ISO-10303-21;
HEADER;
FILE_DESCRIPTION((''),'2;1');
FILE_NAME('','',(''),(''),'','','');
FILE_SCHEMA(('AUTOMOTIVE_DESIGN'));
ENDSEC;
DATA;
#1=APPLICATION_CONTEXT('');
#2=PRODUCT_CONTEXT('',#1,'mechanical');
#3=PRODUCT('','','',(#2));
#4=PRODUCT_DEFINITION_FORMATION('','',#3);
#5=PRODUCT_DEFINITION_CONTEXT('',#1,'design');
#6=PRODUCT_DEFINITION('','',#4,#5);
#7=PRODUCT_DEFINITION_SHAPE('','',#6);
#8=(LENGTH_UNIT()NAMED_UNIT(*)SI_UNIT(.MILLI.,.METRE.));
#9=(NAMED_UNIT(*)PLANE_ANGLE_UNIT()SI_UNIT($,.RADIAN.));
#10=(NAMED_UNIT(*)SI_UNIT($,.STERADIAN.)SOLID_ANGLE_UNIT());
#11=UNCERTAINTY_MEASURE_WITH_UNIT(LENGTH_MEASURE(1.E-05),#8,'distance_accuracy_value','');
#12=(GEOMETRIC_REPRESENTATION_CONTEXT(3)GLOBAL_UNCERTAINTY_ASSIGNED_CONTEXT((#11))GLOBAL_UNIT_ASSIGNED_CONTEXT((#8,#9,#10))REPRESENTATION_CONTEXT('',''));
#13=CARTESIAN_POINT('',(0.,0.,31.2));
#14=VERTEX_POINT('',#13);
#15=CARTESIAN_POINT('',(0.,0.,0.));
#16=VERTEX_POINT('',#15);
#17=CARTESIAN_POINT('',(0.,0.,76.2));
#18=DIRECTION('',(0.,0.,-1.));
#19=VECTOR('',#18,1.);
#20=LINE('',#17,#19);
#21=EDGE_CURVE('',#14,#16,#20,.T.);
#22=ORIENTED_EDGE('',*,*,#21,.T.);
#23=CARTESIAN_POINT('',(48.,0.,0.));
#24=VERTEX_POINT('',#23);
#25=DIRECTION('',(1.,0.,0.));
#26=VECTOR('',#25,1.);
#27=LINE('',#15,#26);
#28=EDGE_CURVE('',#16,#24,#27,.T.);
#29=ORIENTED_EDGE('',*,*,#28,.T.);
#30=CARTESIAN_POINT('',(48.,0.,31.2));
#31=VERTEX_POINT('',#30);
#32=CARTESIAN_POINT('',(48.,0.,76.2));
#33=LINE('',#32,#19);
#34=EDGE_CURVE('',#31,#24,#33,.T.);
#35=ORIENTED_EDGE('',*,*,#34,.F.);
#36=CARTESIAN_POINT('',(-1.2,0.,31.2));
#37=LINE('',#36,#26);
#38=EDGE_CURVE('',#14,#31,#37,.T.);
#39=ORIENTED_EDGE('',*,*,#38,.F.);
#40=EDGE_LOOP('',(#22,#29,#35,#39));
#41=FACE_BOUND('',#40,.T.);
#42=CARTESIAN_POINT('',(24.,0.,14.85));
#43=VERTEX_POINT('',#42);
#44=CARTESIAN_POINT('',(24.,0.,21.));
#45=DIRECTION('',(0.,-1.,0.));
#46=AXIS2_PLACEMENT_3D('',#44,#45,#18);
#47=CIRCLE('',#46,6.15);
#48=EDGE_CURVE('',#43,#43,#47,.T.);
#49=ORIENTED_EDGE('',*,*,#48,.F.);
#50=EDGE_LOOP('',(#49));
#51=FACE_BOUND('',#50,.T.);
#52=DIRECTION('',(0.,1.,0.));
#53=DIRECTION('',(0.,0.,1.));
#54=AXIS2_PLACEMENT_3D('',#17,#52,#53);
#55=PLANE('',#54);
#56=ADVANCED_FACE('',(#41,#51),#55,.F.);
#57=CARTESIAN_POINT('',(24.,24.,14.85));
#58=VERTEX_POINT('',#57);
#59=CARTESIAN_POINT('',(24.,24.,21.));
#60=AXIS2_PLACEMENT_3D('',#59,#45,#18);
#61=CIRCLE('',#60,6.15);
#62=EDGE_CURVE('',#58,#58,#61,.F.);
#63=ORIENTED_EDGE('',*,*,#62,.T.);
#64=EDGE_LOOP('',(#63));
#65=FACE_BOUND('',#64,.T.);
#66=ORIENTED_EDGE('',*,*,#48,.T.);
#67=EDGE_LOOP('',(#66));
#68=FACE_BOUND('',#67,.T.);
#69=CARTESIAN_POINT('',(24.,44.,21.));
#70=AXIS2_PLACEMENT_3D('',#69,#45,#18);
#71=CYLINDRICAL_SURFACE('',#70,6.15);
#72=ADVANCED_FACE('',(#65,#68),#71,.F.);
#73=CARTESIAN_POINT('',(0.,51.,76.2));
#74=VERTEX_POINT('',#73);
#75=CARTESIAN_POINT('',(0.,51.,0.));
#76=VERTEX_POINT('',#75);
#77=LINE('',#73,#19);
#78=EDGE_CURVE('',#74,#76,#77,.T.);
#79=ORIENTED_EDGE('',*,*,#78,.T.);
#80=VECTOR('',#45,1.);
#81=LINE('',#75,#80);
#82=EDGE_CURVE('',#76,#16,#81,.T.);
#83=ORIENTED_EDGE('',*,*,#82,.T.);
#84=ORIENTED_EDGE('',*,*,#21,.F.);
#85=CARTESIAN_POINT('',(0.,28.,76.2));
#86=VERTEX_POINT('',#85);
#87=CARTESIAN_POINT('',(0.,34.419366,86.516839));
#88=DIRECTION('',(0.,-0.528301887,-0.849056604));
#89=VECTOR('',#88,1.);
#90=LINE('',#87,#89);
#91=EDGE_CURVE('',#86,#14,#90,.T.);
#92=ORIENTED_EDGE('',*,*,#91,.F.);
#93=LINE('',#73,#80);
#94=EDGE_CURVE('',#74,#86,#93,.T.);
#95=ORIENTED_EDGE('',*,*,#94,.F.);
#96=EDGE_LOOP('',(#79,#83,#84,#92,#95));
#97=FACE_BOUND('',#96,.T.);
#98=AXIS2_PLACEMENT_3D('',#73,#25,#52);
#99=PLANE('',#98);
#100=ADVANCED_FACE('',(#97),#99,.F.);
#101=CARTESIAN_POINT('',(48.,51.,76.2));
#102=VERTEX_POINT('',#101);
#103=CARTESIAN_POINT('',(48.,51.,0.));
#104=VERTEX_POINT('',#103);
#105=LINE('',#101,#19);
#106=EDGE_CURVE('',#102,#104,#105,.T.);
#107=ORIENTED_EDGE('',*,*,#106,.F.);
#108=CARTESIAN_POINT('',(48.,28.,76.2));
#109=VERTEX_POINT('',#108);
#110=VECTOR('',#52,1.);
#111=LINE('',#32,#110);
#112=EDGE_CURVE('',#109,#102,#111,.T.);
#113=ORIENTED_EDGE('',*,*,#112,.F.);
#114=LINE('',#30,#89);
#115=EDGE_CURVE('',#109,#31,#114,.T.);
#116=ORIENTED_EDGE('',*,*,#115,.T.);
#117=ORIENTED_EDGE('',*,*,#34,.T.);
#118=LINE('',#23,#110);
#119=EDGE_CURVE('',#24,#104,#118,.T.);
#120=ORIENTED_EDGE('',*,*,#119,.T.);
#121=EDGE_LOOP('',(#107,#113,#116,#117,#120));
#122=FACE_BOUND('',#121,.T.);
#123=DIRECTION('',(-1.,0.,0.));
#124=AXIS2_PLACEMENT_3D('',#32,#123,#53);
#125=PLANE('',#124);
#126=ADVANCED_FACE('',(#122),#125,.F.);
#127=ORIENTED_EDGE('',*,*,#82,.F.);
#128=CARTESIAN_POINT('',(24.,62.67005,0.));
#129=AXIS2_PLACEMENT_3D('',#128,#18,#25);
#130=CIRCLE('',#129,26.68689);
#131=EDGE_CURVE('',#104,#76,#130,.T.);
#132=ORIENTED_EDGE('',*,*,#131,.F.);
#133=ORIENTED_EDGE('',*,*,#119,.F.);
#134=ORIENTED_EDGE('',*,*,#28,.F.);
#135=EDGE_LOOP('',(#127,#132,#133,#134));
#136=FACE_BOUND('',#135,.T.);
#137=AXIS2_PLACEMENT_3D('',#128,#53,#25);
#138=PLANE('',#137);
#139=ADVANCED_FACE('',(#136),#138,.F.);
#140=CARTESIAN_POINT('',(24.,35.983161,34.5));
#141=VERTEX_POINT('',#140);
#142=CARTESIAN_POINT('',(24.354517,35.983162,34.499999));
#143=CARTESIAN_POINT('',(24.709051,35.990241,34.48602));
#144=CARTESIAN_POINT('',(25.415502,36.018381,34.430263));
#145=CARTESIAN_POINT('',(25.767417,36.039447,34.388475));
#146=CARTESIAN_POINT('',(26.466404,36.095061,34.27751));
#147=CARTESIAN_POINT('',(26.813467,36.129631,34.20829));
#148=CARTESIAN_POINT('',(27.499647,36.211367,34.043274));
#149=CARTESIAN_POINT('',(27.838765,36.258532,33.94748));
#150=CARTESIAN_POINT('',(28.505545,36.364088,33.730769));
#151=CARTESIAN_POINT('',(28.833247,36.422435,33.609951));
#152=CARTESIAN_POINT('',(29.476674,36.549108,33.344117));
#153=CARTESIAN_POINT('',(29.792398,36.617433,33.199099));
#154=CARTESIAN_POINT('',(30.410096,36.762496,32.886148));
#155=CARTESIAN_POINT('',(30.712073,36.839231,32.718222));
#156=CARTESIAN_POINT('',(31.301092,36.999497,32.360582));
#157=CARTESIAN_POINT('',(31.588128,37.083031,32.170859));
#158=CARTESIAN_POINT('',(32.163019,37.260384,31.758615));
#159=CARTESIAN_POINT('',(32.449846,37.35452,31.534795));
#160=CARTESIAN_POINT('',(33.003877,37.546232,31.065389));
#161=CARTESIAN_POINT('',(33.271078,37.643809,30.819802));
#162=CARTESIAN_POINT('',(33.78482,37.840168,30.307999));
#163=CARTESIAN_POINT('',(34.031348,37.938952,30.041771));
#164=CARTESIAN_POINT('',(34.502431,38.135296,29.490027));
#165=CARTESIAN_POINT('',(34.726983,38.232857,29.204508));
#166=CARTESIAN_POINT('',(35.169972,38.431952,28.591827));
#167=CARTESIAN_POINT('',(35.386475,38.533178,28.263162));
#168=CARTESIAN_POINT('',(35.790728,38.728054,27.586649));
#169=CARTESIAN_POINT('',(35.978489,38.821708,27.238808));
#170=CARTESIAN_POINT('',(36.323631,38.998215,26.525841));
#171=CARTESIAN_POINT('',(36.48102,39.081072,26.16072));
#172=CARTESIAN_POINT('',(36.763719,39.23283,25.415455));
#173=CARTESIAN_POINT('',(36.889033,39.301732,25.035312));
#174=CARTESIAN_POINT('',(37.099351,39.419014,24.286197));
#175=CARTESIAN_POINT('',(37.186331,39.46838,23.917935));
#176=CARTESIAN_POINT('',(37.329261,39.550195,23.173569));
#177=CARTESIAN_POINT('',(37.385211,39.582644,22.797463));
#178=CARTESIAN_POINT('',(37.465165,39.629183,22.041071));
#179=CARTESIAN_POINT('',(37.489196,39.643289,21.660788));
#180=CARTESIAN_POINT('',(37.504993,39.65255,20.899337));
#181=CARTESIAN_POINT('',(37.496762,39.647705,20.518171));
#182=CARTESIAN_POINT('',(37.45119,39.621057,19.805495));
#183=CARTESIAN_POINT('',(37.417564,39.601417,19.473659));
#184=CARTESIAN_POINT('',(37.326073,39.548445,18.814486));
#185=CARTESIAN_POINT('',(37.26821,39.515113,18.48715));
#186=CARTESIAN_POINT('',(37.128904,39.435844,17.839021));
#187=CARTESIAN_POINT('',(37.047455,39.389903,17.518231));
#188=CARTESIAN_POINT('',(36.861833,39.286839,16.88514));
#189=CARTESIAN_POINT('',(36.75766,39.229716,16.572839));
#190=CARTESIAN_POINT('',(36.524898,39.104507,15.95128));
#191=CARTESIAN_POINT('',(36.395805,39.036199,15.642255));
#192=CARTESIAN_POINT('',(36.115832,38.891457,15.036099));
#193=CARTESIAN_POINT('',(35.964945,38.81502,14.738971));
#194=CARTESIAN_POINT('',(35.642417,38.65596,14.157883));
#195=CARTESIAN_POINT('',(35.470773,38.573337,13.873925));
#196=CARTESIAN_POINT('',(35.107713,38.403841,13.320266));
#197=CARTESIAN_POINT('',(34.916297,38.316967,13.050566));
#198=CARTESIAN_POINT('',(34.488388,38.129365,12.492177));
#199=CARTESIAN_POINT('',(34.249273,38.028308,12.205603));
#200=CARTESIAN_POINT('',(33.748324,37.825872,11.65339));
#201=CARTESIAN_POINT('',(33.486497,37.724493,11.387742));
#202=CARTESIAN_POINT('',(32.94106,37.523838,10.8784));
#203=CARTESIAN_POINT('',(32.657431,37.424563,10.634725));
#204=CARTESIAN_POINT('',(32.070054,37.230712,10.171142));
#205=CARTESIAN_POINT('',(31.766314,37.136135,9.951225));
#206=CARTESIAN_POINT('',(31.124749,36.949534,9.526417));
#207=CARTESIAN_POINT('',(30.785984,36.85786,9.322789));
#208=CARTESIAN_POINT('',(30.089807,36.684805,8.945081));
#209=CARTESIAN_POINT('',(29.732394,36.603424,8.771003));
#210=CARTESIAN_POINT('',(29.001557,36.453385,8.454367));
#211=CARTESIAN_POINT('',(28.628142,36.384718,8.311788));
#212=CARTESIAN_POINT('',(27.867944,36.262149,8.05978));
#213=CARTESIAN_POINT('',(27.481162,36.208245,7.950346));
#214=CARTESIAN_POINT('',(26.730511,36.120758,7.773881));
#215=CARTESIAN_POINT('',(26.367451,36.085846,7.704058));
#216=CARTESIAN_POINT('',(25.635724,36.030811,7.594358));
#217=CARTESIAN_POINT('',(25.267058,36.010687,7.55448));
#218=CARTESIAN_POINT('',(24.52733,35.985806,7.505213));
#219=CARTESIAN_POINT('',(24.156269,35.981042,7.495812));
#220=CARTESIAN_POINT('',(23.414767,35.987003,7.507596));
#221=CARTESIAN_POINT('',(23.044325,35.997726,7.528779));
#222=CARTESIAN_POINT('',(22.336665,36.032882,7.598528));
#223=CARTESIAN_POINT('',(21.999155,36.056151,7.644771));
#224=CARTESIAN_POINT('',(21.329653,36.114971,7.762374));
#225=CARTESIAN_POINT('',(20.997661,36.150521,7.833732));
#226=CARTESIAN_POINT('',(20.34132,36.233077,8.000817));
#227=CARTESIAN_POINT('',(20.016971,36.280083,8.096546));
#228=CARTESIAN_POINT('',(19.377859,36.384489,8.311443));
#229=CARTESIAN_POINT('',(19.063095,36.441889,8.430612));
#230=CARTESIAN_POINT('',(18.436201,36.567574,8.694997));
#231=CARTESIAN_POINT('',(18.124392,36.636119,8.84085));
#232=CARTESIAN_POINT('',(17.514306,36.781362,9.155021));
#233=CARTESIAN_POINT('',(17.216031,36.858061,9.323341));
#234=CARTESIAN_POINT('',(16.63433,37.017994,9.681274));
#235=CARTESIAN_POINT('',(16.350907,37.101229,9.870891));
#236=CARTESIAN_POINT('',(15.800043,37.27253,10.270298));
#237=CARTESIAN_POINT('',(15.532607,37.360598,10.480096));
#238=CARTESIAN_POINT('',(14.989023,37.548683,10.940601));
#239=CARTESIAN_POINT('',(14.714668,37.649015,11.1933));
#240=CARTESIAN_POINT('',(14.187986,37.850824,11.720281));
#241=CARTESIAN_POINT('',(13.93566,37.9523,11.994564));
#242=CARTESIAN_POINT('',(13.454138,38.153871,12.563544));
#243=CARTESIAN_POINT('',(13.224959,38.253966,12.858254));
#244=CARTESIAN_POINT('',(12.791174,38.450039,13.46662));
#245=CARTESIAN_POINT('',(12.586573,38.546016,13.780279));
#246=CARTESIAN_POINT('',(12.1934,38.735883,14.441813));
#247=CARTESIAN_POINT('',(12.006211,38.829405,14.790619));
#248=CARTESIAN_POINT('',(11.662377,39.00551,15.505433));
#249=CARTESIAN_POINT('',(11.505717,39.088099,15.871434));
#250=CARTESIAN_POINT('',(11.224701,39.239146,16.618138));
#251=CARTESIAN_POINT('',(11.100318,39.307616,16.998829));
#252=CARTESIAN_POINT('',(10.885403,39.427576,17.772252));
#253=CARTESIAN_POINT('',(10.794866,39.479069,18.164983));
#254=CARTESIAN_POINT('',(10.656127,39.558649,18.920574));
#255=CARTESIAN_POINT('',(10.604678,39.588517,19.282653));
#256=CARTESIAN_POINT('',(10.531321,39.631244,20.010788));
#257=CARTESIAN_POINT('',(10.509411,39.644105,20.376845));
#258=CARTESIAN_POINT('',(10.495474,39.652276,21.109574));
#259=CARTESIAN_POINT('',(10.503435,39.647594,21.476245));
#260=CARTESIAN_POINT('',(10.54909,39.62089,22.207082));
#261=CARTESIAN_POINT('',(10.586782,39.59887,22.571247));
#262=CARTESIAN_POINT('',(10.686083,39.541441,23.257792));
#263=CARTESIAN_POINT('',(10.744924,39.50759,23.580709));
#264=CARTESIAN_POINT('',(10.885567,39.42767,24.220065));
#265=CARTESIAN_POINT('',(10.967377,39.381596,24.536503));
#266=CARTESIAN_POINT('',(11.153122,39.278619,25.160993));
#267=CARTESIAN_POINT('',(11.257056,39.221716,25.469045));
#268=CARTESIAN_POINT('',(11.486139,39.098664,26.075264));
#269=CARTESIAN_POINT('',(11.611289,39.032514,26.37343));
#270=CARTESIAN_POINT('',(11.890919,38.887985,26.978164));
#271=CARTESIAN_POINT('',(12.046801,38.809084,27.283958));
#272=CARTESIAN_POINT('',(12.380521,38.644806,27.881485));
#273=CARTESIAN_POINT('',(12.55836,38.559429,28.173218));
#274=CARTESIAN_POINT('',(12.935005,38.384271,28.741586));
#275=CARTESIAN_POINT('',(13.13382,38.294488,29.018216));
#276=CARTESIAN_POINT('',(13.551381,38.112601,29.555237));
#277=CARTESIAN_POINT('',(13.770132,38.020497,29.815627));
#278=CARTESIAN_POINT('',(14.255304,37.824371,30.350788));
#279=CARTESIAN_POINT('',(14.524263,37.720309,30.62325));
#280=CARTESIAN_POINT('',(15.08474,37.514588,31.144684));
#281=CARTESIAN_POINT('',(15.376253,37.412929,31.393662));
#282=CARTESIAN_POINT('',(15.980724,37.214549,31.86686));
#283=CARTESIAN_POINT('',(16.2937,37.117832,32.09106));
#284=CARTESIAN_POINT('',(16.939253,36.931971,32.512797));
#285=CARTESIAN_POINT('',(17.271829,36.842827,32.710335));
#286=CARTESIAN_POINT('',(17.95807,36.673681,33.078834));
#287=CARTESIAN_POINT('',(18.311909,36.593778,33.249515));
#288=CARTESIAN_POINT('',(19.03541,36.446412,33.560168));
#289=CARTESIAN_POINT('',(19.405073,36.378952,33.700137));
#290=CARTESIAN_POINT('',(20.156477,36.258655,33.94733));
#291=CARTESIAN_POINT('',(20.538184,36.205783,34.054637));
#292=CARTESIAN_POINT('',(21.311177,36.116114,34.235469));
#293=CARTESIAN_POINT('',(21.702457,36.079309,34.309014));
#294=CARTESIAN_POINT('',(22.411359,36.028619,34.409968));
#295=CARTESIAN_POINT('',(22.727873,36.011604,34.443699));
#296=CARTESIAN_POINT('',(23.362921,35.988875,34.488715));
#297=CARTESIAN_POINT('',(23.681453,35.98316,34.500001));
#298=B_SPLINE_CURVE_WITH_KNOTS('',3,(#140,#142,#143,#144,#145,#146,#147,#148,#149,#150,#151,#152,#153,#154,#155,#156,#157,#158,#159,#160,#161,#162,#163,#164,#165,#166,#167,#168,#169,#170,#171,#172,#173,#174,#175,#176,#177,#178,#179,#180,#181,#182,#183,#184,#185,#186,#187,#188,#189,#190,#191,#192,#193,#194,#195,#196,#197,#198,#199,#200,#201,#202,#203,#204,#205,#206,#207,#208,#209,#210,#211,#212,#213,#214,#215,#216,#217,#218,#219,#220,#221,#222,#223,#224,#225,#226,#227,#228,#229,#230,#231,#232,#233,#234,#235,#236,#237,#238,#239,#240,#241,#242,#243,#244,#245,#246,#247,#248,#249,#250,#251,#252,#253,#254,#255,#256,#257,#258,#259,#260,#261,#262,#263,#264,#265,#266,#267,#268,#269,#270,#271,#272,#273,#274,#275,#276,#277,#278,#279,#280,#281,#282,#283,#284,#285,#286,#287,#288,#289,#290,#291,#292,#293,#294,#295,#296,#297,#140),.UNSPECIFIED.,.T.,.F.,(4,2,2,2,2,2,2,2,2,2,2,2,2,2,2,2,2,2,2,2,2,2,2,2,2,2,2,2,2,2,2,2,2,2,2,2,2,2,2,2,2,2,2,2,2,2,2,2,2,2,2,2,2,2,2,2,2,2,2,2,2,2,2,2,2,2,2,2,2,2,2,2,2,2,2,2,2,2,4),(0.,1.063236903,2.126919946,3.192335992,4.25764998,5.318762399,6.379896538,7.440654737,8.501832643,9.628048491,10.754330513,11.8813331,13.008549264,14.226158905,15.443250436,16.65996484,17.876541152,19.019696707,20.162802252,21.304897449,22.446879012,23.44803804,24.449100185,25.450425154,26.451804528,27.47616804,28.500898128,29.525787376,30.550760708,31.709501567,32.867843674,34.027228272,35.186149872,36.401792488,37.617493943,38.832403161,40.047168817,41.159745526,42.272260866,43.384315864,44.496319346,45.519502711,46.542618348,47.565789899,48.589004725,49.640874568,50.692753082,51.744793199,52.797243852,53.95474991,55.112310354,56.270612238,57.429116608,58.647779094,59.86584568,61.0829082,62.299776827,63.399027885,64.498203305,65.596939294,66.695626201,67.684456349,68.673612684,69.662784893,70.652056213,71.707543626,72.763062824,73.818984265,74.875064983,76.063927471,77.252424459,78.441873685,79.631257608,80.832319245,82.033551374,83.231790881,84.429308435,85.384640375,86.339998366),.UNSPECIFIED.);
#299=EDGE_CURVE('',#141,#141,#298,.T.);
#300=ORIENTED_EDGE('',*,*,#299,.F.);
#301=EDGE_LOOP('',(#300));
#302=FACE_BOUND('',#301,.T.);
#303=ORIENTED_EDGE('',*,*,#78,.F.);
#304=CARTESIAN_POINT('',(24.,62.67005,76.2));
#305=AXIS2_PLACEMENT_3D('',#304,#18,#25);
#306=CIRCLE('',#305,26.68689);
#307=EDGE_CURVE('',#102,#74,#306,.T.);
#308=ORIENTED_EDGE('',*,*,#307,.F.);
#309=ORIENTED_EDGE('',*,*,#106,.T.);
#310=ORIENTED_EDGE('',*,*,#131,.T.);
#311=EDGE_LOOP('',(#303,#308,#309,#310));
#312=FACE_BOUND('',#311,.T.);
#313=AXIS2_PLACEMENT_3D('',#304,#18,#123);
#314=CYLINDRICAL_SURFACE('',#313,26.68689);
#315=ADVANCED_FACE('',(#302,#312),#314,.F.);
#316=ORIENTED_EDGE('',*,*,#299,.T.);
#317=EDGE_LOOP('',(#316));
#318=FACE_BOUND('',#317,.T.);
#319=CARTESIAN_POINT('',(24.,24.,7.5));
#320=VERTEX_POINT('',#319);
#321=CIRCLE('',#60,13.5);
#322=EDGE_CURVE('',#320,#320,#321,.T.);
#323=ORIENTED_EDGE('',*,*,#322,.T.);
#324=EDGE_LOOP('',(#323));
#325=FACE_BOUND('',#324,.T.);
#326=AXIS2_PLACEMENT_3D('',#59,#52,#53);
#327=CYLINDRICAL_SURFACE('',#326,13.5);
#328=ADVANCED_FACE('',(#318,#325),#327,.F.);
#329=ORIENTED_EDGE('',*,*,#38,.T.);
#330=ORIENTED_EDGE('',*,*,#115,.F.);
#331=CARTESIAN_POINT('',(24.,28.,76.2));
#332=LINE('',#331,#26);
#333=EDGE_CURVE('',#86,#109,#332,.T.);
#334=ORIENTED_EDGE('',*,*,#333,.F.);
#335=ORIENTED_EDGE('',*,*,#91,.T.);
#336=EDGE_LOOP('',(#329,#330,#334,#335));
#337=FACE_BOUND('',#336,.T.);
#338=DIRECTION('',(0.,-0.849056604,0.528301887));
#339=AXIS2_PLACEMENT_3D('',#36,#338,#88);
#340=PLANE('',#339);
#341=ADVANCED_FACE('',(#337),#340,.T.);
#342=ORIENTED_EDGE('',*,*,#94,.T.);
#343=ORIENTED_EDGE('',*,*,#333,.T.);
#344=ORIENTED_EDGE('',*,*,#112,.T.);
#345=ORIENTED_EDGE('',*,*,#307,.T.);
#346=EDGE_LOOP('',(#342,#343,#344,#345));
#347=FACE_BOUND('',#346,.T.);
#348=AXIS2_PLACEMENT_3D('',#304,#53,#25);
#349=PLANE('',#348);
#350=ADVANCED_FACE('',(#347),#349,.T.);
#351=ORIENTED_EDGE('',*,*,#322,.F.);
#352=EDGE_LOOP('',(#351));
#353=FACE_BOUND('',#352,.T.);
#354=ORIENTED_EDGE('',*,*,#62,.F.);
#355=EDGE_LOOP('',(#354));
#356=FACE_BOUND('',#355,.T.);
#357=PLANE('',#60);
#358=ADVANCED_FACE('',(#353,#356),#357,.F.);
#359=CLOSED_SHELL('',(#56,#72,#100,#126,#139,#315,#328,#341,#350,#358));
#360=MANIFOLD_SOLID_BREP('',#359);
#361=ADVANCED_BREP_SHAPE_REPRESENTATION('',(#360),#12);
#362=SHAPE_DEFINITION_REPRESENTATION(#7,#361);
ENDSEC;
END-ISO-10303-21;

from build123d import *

# Parameters (mm, degrees)
BOSS_EXTRUDE1_DEPTH = 76.2
CUT_EXTRUDE1_DEPTH  = 49.2
SKETCH5_R           = 6.15
CUT_EXTRUDE2_DEPTH  = 44
SKETCH6_R           = 13.5
CUT_EXTRUDE3_DEPTH  = 27


with BuildPart() as part:
    # Sketch2 → Boss-Extrude1 (new body)
    with BuildSketch(Plane.XY):
        with BuildLine():
            Line((0, 51), (0, 0))
            Line((0, 0), (48, 0))
            Line((48, 0), (48, 51))
            ThreePointArc((48, 51), (24, 35.983160819), (0, 51))
        make_face()
    extrude(amount=BOSS_EXTRUDE1_DEPTH)

    # Sketch3 → Cut-Extrude1 (cut)
    with BuildSketch(Plane.ZY.offset(-48)):
        Polygon((76.2, 28), (76.2, 0), (31.2, 0), align=None)
    extrude(amount=CUT_EXTRUDE1_DEPTH, mode=Mode.SUBTRACT)

    # Sketch5 → Cut-Extrude2 (cut)
    with BuildSketch(Plane.XZ):
        with Locations((24, 21)):
            Circle(SKETCH5_R)
    extrude(amount=-CUT_EXTRUDE2_DEPTH, mode=Mode.SUBTRACT)

    # Sketch6 → Cut-Extrude3 (cut)
    with BuildSketch(Plane(origin=(0, 51, 0), x_dir=(-1, 0, 0), z_dir=(0, -1, 0))):
        with Locations((-24, -21)):
            Circle(SKETCH6_R)
    extrude(amount=CUT_EXTRUDE3_DEPTH, mode=Mode.SUBTRACT)


solid = part.part
